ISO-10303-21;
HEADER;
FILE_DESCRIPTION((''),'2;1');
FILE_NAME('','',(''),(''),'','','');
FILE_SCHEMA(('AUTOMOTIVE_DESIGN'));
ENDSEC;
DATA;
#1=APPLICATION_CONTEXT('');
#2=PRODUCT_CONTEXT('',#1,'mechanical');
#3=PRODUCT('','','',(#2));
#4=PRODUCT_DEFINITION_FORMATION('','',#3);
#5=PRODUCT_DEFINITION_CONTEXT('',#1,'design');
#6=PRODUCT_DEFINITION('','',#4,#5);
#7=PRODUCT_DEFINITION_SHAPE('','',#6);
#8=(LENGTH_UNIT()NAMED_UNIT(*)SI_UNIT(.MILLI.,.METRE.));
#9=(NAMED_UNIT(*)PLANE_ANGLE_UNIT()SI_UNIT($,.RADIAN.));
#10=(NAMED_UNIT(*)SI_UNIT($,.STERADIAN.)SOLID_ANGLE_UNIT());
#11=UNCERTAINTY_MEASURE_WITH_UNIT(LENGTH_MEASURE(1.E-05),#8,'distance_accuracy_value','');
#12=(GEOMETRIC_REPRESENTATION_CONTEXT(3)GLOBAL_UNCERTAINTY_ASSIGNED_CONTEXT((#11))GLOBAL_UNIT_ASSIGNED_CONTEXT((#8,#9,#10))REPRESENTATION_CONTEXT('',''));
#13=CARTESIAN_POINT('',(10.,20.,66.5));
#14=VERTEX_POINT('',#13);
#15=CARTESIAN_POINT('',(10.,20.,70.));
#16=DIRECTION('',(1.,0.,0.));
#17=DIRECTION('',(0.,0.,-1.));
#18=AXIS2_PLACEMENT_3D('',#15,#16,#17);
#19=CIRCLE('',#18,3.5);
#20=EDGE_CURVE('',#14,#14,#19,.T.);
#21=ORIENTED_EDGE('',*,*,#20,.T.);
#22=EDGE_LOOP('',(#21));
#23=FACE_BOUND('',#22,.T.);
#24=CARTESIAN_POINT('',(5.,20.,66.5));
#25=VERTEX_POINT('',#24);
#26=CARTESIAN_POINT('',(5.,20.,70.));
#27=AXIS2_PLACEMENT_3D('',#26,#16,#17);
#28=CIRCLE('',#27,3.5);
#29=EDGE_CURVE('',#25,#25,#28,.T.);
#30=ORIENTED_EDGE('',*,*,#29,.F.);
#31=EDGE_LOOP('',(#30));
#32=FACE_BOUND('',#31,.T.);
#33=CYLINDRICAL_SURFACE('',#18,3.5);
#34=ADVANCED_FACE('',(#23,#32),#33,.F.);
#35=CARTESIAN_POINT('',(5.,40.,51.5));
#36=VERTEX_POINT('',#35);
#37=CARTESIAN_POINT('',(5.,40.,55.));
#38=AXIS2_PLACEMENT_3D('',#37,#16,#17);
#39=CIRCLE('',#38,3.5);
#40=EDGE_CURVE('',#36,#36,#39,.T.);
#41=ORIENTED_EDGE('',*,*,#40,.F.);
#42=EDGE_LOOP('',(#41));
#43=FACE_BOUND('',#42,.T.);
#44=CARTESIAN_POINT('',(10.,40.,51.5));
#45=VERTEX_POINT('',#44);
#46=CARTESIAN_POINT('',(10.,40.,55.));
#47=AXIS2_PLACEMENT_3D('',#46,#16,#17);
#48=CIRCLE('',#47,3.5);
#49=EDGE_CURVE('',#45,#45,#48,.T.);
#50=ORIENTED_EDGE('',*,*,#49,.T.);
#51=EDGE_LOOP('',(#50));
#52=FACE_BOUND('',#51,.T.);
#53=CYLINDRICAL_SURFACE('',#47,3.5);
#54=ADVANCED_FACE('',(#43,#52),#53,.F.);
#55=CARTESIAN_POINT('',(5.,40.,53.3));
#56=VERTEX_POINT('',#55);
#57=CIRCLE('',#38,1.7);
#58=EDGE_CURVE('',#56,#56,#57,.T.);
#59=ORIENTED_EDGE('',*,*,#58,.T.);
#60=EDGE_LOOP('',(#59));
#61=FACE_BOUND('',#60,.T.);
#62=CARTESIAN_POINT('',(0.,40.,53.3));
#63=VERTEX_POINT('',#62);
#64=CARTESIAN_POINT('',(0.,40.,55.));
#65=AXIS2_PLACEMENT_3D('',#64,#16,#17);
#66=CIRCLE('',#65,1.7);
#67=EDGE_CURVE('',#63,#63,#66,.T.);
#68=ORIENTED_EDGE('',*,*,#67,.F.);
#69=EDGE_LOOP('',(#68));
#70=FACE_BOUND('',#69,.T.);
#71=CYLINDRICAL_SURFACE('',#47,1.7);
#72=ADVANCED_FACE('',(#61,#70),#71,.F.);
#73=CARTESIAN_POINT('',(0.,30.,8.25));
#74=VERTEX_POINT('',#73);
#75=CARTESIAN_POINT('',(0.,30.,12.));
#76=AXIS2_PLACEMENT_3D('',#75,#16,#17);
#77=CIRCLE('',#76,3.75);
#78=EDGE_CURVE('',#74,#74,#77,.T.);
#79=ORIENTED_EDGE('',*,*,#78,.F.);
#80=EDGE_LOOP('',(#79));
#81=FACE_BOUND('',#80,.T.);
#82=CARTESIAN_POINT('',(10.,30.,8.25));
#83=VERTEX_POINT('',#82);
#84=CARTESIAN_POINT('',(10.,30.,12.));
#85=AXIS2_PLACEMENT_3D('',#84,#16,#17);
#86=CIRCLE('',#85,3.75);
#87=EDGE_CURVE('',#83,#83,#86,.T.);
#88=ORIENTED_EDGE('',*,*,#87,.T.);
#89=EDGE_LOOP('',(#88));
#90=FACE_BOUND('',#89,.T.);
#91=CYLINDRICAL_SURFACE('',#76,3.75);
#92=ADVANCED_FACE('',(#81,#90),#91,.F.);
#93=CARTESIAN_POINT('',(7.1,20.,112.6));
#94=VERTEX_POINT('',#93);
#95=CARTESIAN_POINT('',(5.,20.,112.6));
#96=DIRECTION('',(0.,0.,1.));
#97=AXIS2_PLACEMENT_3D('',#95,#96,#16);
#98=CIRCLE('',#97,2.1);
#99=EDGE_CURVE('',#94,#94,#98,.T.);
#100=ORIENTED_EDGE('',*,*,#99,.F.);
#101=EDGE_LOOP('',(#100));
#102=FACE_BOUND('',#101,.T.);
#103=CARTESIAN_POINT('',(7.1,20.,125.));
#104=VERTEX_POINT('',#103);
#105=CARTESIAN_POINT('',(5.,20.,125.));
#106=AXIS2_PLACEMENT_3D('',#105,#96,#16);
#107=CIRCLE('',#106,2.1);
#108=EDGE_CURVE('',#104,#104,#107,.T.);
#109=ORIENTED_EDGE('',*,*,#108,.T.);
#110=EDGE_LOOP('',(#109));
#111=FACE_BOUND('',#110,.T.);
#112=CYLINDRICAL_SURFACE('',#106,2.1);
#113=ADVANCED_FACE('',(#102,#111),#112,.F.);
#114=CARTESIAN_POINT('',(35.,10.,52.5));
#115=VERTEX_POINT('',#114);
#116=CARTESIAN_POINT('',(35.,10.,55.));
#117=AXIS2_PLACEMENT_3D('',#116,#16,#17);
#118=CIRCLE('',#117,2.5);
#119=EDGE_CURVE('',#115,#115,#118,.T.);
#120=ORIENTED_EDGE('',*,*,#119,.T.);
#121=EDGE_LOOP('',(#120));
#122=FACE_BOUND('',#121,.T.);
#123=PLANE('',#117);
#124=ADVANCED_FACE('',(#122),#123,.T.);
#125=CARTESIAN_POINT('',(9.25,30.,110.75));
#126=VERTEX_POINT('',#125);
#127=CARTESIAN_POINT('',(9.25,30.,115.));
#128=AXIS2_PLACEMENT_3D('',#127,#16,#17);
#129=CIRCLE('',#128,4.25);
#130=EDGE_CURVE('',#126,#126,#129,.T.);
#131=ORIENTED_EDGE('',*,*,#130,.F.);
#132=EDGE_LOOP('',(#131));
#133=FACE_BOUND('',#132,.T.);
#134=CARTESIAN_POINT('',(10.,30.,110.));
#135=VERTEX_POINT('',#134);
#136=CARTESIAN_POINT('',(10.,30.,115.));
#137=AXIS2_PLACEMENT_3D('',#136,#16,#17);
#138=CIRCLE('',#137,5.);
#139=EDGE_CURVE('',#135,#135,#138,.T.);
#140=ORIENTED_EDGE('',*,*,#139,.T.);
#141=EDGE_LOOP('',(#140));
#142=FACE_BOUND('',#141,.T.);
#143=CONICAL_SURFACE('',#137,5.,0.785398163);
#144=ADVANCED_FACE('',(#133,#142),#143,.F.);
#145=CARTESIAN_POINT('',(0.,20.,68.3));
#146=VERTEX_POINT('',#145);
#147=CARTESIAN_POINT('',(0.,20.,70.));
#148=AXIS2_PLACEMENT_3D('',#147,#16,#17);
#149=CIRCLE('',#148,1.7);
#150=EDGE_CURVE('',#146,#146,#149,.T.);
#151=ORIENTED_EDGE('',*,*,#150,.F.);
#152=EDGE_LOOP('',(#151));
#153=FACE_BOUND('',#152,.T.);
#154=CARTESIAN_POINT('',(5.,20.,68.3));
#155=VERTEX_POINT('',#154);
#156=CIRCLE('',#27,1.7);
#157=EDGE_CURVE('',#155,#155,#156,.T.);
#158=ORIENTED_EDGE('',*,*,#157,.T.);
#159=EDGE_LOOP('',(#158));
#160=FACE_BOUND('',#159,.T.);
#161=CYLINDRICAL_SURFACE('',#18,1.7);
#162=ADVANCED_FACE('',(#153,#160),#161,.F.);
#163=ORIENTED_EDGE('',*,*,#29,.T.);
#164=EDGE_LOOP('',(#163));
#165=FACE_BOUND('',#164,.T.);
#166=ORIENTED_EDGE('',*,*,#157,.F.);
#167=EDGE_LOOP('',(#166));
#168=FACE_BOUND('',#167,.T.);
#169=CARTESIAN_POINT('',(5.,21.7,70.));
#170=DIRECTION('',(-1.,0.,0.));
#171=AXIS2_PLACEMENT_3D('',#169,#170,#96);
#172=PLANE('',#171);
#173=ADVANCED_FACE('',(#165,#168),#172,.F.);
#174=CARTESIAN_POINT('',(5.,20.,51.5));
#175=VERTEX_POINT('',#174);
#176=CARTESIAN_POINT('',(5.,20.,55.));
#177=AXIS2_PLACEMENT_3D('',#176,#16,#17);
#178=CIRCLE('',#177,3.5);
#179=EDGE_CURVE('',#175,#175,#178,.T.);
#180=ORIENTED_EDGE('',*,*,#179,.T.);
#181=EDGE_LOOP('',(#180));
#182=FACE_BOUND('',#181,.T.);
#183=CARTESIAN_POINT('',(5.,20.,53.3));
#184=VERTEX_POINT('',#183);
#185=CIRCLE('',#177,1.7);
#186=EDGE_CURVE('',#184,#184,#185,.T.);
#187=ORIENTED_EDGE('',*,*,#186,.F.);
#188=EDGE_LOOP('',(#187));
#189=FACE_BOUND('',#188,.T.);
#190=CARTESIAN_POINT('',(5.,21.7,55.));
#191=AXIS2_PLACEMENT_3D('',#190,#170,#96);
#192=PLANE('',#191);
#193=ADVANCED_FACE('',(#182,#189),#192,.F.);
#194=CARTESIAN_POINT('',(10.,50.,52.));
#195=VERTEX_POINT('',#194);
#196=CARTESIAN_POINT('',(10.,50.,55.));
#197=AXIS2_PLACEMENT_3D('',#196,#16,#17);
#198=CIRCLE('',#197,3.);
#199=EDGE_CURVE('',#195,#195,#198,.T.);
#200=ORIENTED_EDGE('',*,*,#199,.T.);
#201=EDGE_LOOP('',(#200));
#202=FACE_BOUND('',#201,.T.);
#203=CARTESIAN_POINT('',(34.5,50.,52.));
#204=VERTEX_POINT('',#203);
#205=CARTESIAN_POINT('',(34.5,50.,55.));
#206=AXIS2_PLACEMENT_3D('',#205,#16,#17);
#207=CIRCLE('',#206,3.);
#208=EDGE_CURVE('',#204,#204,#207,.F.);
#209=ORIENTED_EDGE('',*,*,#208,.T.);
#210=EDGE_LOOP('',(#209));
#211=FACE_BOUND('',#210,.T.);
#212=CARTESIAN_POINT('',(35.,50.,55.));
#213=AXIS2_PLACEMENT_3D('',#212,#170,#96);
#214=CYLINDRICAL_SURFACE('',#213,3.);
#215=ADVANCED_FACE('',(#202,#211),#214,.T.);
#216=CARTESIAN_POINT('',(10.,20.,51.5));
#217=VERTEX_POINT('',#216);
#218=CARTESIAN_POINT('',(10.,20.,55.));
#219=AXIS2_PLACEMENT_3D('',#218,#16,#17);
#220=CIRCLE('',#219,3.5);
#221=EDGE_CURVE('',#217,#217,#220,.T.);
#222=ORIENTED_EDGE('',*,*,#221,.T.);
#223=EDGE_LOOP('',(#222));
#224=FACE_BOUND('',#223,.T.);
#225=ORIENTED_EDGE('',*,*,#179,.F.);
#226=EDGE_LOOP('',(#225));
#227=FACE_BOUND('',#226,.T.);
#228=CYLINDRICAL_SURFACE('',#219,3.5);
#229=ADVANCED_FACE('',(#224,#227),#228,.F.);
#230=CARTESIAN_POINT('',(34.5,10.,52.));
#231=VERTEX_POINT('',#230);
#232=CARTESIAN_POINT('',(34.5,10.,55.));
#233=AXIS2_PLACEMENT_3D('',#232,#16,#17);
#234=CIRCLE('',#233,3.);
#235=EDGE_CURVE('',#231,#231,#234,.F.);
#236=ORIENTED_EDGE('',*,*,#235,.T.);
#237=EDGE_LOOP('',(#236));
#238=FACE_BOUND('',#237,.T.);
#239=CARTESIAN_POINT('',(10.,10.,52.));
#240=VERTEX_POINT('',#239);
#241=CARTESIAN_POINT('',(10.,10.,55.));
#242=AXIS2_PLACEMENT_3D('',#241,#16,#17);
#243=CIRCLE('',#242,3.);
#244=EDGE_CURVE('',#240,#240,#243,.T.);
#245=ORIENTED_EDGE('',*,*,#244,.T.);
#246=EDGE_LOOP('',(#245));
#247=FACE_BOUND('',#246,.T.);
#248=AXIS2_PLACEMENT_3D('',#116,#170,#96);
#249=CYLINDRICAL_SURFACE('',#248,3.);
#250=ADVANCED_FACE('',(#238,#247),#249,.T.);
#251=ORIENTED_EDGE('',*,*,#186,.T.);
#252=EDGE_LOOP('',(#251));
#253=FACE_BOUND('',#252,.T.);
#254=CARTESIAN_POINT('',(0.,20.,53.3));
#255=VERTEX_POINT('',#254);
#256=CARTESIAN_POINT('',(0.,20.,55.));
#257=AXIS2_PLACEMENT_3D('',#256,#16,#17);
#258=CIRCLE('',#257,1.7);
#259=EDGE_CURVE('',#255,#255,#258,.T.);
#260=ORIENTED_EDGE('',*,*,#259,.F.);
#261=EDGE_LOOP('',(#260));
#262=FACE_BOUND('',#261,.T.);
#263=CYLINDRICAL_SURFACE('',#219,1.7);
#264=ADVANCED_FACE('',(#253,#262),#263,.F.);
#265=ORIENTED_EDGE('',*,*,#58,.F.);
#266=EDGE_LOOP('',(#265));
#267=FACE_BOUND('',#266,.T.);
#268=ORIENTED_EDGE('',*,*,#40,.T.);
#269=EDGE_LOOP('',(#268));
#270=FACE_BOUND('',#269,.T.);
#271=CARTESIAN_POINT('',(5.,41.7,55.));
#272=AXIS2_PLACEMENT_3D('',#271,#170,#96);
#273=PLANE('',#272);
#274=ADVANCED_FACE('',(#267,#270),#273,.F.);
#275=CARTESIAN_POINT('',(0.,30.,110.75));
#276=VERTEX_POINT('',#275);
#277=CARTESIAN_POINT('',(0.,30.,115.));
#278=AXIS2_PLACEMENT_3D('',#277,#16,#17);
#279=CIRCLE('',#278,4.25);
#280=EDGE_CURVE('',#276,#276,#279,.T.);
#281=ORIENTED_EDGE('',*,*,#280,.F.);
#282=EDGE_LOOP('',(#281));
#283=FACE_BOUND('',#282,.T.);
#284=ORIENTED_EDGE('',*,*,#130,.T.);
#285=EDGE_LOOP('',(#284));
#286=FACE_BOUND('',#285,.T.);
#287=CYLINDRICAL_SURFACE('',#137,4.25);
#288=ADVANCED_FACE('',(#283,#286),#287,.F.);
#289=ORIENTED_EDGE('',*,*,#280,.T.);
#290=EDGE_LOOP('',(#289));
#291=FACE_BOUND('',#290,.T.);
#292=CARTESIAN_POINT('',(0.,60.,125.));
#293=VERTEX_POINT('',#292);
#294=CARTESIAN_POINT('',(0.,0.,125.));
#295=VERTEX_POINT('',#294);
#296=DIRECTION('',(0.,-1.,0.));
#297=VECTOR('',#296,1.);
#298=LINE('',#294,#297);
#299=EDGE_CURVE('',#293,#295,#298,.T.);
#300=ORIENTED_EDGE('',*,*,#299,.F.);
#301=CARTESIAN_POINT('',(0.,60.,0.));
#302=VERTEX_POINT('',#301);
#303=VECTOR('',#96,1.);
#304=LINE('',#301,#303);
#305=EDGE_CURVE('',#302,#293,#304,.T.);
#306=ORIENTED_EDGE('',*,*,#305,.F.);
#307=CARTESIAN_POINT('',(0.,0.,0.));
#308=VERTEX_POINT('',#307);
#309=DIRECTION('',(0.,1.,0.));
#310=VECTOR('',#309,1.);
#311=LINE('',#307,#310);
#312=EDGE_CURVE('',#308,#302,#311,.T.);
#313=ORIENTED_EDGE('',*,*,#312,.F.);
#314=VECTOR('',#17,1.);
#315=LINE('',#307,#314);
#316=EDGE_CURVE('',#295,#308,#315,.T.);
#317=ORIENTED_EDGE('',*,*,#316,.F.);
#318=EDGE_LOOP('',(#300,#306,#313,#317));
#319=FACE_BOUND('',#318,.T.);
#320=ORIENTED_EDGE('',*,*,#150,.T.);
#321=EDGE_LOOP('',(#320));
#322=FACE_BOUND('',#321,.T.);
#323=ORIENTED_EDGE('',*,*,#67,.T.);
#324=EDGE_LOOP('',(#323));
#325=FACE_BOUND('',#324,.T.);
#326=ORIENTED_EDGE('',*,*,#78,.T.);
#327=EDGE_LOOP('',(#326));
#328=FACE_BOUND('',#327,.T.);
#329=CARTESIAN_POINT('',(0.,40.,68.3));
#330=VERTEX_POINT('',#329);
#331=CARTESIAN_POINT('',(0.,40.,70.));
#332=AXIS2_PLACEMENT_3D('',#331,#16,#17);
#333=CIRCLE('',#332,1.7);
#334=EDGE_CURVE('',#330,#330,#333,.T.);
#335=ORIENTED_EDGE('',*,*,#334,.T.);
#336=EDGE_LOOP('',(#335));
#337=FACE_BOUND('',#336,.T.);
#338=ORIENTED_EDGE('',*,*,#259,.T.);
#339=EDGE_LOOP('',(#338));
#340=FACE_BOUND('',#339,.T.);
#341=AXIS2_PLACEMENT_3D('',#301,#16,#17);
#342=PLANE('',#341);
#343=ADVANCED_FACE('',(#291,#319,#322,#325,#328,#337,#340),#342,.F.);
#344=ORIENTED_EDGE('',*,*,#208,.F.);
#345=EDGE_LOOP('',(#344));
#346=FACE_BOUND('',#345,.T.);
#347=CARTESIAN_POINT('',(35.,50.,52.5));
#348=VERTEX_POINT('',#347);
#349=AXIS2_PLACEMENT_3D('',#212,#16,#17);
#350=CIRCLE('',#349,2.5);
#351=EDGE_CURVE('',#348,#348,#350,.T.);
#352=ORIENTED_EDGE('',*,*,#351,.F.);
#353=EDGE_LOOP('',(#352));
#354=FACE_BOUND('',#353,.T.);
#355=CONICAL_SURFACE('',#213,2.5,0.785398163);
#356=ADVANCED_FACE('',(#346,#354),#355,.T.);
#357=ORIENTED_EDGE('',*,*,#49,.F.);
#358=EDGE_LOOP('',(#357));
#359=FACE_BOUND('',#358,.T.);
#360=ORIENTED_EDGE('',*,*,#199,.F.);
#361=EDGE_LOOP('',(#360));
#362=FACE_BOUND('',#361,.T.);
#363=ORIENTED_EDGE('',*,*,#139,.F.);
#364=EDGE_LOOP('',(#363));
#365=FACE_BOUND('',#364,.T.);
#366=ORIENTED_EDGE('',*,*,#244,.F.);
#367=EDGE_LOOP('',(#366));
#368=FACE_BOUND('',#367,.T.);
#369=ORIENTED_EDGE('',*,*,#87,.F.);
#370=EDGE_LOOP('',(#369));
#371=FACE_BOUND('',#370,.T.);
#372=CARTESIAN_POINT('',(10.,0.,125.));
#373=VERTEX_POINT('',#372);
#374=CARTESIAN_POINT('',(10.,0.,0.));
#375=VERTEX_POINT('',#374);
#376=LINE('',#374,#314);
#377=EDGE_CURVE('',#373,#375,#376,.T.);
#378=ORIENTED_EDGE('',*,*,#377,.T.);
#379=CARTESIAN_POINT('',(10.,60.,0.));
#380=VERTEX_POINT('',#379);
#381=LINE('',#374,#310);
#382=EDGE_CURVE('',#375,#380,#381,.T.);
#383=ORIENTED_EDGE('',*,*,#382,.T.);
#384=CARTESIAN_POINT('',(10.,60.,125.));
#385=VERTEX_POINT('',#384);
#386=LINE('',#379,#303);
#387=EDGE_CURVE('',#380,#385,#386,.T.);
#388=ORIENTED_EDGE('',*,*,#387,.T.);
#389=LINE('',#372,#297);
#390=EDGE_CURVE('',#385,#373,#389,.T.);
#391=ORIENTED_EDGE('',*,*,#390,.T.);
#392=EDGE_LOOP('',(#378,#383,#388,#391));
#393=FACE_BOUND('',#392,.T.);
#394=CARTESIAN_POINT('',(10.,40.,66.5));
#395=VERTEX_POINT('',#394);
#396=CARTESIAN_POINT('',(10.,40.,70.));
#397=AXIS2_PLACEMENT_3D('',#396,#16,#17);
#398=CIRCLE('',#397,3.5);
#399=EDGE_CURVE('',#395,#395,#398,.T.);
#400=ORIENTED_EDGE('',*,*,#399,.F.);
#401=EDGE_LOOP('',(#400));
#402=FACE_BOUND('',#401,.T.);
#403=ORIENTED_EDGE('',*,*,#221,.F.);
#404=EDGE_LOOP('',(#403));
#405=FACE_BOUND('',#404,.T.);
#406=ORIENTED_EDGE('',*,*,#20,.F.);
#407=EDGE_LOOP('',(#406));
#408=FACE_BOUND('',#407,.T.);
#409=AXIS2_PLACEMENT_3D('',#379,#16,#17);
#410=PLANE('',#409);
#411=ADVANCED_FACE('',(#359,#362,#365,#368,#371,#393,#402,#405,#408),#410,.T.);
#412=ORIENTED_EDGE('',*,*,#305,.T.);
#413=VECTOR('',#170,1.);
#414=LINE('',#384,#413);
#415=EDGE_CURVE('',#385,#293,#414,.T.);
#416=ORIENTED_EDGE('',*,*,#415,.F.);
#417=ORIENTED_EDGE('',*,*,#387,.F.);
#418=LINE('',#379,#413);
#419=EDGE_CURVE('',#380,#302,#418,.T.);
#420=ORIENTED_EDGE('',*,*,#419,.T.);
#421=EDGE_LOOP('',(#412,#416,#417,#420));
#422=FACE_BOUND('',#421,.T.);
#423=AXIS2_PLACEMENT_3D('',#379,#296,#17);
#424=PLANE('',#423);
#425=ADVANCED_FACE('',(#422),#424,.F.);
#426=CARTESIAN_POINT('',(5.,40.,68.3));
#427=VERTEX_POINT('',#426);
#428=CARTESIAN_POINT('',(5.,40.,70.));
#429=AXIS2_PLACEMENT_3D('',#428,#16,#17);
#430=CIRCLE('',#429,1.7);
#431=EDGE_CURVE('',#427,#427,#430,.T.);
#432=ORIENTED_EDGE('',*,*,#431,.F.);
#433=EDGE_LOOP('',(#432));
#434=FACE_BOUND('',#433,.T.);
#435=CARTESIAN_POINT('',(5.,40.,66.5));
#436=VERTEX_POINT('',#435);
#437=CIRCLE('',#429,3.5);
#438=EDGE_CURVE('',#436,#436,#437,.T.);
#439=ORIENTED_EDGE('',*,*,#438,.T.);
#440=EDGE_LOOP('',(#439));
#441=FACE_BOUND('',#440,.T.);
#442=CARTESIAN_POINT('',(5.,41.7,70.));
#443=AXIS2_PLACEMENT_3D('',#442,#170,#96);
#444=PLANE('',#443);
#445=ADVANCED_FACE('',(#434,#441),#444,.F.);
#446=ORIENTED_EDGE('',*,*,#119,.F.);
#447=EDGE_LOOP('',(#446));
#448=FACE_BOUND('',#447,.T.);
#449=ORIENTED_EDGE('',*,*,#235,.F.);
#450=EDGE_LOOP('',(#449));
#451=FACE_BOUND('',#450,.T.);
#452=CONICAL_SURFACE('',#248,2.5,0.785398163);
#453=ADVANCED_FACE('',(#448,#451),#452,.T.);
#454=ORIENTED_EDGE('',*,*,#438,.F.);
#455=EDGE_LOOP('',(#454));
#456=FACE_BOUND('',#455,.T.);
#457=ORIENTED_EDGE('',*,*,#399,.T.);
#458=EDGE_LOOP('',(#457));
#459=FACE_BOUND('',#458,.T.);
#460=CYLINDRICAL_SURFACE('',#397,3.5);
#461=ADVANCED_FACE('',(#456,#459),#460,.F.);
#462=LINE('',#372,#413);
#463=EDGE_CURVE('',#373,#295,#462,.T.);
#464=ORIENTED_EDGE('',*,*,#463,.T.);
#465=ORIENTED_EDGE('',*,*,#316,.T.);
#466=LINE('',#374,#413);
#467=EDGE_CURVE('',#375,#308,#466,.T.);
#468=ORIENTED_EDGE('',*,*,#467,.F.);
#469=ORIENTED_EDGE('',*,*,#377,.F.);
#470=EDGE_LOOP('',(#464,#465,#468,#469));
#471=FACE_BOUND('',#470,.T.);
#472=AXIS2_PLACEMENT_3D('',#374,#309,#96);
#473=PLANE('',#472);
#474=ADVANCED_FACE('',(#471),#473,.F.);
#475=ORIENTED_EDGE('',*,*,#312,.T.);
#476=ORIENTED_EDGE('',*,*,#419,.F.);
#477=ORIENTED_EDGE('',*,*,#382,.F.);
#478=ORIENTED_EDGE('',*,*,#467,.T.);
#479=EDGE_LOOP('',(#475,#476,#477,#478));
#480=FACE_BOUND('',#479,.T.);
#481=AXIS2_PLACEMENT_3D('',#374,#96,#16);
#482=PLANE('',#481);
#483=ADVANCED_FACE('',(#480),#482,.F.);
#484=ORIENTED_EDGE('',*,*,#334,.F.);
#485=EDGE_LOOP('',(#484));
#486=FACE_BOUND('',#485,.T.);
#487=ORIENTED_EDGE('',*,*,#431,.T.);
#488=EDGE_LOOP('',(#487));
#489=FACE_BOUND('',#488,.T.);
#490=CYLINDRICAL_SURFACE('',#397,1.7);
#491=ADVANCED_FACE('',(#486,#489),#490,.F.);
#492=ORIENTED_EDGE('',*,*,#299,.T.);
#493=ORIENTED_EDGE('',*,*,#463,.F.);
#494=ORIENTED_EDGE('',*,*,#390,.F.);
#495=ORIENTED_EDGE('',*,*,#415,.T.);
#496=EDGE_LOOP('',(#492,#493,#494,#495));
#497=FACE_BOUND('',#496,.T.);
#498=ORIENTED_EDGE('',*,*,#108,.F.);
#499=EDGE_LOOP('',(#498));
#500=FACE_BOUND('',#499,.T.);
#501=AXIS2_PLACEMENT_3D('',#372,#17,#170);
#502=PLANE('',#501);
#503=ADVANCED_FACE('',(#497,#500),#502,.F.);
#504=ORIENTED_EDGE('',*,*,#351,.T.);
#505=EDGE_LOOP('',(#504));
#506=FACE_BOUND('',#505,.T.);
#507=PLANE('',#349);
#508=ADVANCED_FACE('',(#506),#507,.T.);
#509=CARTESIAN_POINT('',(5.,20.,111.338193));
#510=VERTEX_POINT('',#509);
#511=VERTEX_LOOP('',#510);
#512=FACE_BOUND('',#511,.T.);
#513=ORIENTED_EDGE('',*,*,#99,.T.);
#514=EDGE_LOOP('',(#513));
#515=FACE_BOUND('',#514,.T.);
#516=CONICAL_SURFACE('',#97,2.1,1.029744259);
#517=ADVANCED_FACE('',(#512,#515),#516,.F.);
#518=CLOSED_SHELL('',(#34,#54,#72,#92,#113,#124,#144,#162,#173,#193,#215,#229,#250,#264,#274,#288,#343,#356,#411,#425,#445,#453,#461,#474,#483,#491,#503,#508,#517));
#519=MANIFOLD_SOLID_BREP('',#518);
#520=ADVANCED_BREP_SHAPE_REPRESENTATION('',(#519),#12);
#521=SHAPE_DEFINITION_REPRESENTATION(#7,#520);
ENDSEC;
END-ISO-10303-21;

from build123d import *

# Parameters (mm, degrees)
SKETCH1_W                                           = 125
SKETCH1_H                                           = 60
BOSS_EXTRUDE1_DEPTH                                 = 10
SKETCH12_R                                          = 3
BOSS_EXTRUDE2_DEPTH                                 = 25
M10_TAPPED_HOLE1_D                                  = 8.5
M10_TAPPED_HOLE1_DEPTH                              = 24.5
M10_TAPPED_HOLE1_CSINK_D                            = 10
M10_TAPPED_HOLE1_CSINK_ANGLE                        = 90
M10_TAPPED_HOLE1_TIP                                = 2.553657631
SKETCH7_R                                           = 3.75
CUT_EXTRUDE1_DEPTH                                  = 141.890028036
CBORE_FOR_M3_HEX_SOCKET_HEAD_CAP_SCREW1_D           = 3.4
CBORE_FOR_M3_HEX_SOCKET_HEAD_CAP_SCREW1_CBORE_D     = 7
CBORE_FOR_M3_HEX_SOCKET_HEAD_CAP_SCREW1_CBORE_DEPTH = 5
M5_TAPPED_HOLE1_D                                   = 4.2
M5_TAPPED_HOLE1_DEPTH                               = 12.4
M5_TAPPED_HOLE1_TIP                                 = 1.2618073
CHAMFER2_SIZE                                       = 0.5


with BuildPart() as part:
    # Sketch1 → Boss-Extrude1 (new body)
    with BuildSketch(Plane(origin=(0, 0, 0), x_dir=(0, 0, -1), z_dir=(1, 0, 0))):
        with Locations((-62.5, 30)):
            Rectangle(SKETCH1_W, SKETCH1_H)
    extrude(amount=BOSS_EXTRUDE1_DEPTH)

    # Sketch12 → Boss-Extrude2 (add)
    with BuildSketch(Plane(origin=(10, 0, 0), x_dir=(0, 0, -1), z_dir=(1, 0, 0))):
        with Locations((-55, 10)):
            Circle(SKETCH12_R)
        with Locations((-55, 50)):
            Circle(SKETCH12_R)
    extrude(amount=BOSS_EXTRUDE2_DEPTH)

    # M10 Tapped Hole1
    with Locations(Plane(origin=(10, 0, 0), x_dir=(0, 0, -1), z_dir=(1, 0, 0))):
        with Locations((-115, 30)):
            CounterSinkHole(M10_TAPPED_HOLE1_D / 2, M10_TAPPED_HOLE1_CSINK_D / 2, depth=M10_TAPPED_HOLE1_DEPTH, counter_sink_angle=M10_TAPPED_HOLE1_CSINK_ANGLE)
            with Locations((0, 0, -(M10_TAPPED_HOLE1_DEPTH + M10_TAPPED_HOLE1_TIP / 2))):  # 118° drill point
                Cone(0, M10_TAPPED_HOLE1_D / 2, M10_TAPPED_HOLE1_TIP, mode=Mode.SUBTRACT)

    # Sketch7 → Cut-Extrude1 (cut, through all)
    with BuildSketch(Plane(origin=(10, 0, 0), x_dir=(0, 0, -1), z_dir=(1, 0, 0))):
        with Locations((-12, 30)):
            Circle(SKETCH7_R)
    extrude(amount=-CUT_EXTRUDE1_DEPTH, mode=Mode.SUBTRACT)

    # CBORE for M3 Hex Socket Head Cap Screw1 (through all)
    with Locations(Plane(origin=(10, 0, 0), x_dir=(0, 0, -1), z_dir=(1, 0, 0))):
        with Locations((-70, 20), (-55, 20), (-55, 40), (-70, 40)):
            CounterBoreHole(CBORE_FOR_M3_HEX_SOCKET_HEAD_CAP_SCREW1_D / 2, CBORE_FOR_M3_HEX_SOCKET_HEAD_CAP_SCREW1_CBORE_D / 2, CBORE_FOR_M3_HEX_SOCKET_HEAD_CAP_SCREW1_CBORE_DEPTH)

    # M5 Tapped Hole1
    with Locations(Plane.XY.offset(125)):
        with Locations((5, 20)):
            Hole(M5_TAPPED_HOLE1_D / 2, depth=M5_TAPPED_HOLE1_DEPTH)
            with Locations((0, 0, -(M5_TAPPED_HOLE1_DEPTH + M5_TAPPED_HOLE1_TIP / 2))):  # 118° drill point
                Cone(0, M5_TAPPED_HOLE1_D / 2, M5_TAPPED_HOLE1_TIP, mode=Mode.SUBTRACT)

    # Chamfer2
    chamfer2_edges = [part.edges().sort_by_distance(p)[0] for p in [
        (35, 10, 58),
        (35, 50, 58),
    ]]
    chamfer(chamfer2_edges, length=CHAMFER2_SIZE)


solid = part.part
